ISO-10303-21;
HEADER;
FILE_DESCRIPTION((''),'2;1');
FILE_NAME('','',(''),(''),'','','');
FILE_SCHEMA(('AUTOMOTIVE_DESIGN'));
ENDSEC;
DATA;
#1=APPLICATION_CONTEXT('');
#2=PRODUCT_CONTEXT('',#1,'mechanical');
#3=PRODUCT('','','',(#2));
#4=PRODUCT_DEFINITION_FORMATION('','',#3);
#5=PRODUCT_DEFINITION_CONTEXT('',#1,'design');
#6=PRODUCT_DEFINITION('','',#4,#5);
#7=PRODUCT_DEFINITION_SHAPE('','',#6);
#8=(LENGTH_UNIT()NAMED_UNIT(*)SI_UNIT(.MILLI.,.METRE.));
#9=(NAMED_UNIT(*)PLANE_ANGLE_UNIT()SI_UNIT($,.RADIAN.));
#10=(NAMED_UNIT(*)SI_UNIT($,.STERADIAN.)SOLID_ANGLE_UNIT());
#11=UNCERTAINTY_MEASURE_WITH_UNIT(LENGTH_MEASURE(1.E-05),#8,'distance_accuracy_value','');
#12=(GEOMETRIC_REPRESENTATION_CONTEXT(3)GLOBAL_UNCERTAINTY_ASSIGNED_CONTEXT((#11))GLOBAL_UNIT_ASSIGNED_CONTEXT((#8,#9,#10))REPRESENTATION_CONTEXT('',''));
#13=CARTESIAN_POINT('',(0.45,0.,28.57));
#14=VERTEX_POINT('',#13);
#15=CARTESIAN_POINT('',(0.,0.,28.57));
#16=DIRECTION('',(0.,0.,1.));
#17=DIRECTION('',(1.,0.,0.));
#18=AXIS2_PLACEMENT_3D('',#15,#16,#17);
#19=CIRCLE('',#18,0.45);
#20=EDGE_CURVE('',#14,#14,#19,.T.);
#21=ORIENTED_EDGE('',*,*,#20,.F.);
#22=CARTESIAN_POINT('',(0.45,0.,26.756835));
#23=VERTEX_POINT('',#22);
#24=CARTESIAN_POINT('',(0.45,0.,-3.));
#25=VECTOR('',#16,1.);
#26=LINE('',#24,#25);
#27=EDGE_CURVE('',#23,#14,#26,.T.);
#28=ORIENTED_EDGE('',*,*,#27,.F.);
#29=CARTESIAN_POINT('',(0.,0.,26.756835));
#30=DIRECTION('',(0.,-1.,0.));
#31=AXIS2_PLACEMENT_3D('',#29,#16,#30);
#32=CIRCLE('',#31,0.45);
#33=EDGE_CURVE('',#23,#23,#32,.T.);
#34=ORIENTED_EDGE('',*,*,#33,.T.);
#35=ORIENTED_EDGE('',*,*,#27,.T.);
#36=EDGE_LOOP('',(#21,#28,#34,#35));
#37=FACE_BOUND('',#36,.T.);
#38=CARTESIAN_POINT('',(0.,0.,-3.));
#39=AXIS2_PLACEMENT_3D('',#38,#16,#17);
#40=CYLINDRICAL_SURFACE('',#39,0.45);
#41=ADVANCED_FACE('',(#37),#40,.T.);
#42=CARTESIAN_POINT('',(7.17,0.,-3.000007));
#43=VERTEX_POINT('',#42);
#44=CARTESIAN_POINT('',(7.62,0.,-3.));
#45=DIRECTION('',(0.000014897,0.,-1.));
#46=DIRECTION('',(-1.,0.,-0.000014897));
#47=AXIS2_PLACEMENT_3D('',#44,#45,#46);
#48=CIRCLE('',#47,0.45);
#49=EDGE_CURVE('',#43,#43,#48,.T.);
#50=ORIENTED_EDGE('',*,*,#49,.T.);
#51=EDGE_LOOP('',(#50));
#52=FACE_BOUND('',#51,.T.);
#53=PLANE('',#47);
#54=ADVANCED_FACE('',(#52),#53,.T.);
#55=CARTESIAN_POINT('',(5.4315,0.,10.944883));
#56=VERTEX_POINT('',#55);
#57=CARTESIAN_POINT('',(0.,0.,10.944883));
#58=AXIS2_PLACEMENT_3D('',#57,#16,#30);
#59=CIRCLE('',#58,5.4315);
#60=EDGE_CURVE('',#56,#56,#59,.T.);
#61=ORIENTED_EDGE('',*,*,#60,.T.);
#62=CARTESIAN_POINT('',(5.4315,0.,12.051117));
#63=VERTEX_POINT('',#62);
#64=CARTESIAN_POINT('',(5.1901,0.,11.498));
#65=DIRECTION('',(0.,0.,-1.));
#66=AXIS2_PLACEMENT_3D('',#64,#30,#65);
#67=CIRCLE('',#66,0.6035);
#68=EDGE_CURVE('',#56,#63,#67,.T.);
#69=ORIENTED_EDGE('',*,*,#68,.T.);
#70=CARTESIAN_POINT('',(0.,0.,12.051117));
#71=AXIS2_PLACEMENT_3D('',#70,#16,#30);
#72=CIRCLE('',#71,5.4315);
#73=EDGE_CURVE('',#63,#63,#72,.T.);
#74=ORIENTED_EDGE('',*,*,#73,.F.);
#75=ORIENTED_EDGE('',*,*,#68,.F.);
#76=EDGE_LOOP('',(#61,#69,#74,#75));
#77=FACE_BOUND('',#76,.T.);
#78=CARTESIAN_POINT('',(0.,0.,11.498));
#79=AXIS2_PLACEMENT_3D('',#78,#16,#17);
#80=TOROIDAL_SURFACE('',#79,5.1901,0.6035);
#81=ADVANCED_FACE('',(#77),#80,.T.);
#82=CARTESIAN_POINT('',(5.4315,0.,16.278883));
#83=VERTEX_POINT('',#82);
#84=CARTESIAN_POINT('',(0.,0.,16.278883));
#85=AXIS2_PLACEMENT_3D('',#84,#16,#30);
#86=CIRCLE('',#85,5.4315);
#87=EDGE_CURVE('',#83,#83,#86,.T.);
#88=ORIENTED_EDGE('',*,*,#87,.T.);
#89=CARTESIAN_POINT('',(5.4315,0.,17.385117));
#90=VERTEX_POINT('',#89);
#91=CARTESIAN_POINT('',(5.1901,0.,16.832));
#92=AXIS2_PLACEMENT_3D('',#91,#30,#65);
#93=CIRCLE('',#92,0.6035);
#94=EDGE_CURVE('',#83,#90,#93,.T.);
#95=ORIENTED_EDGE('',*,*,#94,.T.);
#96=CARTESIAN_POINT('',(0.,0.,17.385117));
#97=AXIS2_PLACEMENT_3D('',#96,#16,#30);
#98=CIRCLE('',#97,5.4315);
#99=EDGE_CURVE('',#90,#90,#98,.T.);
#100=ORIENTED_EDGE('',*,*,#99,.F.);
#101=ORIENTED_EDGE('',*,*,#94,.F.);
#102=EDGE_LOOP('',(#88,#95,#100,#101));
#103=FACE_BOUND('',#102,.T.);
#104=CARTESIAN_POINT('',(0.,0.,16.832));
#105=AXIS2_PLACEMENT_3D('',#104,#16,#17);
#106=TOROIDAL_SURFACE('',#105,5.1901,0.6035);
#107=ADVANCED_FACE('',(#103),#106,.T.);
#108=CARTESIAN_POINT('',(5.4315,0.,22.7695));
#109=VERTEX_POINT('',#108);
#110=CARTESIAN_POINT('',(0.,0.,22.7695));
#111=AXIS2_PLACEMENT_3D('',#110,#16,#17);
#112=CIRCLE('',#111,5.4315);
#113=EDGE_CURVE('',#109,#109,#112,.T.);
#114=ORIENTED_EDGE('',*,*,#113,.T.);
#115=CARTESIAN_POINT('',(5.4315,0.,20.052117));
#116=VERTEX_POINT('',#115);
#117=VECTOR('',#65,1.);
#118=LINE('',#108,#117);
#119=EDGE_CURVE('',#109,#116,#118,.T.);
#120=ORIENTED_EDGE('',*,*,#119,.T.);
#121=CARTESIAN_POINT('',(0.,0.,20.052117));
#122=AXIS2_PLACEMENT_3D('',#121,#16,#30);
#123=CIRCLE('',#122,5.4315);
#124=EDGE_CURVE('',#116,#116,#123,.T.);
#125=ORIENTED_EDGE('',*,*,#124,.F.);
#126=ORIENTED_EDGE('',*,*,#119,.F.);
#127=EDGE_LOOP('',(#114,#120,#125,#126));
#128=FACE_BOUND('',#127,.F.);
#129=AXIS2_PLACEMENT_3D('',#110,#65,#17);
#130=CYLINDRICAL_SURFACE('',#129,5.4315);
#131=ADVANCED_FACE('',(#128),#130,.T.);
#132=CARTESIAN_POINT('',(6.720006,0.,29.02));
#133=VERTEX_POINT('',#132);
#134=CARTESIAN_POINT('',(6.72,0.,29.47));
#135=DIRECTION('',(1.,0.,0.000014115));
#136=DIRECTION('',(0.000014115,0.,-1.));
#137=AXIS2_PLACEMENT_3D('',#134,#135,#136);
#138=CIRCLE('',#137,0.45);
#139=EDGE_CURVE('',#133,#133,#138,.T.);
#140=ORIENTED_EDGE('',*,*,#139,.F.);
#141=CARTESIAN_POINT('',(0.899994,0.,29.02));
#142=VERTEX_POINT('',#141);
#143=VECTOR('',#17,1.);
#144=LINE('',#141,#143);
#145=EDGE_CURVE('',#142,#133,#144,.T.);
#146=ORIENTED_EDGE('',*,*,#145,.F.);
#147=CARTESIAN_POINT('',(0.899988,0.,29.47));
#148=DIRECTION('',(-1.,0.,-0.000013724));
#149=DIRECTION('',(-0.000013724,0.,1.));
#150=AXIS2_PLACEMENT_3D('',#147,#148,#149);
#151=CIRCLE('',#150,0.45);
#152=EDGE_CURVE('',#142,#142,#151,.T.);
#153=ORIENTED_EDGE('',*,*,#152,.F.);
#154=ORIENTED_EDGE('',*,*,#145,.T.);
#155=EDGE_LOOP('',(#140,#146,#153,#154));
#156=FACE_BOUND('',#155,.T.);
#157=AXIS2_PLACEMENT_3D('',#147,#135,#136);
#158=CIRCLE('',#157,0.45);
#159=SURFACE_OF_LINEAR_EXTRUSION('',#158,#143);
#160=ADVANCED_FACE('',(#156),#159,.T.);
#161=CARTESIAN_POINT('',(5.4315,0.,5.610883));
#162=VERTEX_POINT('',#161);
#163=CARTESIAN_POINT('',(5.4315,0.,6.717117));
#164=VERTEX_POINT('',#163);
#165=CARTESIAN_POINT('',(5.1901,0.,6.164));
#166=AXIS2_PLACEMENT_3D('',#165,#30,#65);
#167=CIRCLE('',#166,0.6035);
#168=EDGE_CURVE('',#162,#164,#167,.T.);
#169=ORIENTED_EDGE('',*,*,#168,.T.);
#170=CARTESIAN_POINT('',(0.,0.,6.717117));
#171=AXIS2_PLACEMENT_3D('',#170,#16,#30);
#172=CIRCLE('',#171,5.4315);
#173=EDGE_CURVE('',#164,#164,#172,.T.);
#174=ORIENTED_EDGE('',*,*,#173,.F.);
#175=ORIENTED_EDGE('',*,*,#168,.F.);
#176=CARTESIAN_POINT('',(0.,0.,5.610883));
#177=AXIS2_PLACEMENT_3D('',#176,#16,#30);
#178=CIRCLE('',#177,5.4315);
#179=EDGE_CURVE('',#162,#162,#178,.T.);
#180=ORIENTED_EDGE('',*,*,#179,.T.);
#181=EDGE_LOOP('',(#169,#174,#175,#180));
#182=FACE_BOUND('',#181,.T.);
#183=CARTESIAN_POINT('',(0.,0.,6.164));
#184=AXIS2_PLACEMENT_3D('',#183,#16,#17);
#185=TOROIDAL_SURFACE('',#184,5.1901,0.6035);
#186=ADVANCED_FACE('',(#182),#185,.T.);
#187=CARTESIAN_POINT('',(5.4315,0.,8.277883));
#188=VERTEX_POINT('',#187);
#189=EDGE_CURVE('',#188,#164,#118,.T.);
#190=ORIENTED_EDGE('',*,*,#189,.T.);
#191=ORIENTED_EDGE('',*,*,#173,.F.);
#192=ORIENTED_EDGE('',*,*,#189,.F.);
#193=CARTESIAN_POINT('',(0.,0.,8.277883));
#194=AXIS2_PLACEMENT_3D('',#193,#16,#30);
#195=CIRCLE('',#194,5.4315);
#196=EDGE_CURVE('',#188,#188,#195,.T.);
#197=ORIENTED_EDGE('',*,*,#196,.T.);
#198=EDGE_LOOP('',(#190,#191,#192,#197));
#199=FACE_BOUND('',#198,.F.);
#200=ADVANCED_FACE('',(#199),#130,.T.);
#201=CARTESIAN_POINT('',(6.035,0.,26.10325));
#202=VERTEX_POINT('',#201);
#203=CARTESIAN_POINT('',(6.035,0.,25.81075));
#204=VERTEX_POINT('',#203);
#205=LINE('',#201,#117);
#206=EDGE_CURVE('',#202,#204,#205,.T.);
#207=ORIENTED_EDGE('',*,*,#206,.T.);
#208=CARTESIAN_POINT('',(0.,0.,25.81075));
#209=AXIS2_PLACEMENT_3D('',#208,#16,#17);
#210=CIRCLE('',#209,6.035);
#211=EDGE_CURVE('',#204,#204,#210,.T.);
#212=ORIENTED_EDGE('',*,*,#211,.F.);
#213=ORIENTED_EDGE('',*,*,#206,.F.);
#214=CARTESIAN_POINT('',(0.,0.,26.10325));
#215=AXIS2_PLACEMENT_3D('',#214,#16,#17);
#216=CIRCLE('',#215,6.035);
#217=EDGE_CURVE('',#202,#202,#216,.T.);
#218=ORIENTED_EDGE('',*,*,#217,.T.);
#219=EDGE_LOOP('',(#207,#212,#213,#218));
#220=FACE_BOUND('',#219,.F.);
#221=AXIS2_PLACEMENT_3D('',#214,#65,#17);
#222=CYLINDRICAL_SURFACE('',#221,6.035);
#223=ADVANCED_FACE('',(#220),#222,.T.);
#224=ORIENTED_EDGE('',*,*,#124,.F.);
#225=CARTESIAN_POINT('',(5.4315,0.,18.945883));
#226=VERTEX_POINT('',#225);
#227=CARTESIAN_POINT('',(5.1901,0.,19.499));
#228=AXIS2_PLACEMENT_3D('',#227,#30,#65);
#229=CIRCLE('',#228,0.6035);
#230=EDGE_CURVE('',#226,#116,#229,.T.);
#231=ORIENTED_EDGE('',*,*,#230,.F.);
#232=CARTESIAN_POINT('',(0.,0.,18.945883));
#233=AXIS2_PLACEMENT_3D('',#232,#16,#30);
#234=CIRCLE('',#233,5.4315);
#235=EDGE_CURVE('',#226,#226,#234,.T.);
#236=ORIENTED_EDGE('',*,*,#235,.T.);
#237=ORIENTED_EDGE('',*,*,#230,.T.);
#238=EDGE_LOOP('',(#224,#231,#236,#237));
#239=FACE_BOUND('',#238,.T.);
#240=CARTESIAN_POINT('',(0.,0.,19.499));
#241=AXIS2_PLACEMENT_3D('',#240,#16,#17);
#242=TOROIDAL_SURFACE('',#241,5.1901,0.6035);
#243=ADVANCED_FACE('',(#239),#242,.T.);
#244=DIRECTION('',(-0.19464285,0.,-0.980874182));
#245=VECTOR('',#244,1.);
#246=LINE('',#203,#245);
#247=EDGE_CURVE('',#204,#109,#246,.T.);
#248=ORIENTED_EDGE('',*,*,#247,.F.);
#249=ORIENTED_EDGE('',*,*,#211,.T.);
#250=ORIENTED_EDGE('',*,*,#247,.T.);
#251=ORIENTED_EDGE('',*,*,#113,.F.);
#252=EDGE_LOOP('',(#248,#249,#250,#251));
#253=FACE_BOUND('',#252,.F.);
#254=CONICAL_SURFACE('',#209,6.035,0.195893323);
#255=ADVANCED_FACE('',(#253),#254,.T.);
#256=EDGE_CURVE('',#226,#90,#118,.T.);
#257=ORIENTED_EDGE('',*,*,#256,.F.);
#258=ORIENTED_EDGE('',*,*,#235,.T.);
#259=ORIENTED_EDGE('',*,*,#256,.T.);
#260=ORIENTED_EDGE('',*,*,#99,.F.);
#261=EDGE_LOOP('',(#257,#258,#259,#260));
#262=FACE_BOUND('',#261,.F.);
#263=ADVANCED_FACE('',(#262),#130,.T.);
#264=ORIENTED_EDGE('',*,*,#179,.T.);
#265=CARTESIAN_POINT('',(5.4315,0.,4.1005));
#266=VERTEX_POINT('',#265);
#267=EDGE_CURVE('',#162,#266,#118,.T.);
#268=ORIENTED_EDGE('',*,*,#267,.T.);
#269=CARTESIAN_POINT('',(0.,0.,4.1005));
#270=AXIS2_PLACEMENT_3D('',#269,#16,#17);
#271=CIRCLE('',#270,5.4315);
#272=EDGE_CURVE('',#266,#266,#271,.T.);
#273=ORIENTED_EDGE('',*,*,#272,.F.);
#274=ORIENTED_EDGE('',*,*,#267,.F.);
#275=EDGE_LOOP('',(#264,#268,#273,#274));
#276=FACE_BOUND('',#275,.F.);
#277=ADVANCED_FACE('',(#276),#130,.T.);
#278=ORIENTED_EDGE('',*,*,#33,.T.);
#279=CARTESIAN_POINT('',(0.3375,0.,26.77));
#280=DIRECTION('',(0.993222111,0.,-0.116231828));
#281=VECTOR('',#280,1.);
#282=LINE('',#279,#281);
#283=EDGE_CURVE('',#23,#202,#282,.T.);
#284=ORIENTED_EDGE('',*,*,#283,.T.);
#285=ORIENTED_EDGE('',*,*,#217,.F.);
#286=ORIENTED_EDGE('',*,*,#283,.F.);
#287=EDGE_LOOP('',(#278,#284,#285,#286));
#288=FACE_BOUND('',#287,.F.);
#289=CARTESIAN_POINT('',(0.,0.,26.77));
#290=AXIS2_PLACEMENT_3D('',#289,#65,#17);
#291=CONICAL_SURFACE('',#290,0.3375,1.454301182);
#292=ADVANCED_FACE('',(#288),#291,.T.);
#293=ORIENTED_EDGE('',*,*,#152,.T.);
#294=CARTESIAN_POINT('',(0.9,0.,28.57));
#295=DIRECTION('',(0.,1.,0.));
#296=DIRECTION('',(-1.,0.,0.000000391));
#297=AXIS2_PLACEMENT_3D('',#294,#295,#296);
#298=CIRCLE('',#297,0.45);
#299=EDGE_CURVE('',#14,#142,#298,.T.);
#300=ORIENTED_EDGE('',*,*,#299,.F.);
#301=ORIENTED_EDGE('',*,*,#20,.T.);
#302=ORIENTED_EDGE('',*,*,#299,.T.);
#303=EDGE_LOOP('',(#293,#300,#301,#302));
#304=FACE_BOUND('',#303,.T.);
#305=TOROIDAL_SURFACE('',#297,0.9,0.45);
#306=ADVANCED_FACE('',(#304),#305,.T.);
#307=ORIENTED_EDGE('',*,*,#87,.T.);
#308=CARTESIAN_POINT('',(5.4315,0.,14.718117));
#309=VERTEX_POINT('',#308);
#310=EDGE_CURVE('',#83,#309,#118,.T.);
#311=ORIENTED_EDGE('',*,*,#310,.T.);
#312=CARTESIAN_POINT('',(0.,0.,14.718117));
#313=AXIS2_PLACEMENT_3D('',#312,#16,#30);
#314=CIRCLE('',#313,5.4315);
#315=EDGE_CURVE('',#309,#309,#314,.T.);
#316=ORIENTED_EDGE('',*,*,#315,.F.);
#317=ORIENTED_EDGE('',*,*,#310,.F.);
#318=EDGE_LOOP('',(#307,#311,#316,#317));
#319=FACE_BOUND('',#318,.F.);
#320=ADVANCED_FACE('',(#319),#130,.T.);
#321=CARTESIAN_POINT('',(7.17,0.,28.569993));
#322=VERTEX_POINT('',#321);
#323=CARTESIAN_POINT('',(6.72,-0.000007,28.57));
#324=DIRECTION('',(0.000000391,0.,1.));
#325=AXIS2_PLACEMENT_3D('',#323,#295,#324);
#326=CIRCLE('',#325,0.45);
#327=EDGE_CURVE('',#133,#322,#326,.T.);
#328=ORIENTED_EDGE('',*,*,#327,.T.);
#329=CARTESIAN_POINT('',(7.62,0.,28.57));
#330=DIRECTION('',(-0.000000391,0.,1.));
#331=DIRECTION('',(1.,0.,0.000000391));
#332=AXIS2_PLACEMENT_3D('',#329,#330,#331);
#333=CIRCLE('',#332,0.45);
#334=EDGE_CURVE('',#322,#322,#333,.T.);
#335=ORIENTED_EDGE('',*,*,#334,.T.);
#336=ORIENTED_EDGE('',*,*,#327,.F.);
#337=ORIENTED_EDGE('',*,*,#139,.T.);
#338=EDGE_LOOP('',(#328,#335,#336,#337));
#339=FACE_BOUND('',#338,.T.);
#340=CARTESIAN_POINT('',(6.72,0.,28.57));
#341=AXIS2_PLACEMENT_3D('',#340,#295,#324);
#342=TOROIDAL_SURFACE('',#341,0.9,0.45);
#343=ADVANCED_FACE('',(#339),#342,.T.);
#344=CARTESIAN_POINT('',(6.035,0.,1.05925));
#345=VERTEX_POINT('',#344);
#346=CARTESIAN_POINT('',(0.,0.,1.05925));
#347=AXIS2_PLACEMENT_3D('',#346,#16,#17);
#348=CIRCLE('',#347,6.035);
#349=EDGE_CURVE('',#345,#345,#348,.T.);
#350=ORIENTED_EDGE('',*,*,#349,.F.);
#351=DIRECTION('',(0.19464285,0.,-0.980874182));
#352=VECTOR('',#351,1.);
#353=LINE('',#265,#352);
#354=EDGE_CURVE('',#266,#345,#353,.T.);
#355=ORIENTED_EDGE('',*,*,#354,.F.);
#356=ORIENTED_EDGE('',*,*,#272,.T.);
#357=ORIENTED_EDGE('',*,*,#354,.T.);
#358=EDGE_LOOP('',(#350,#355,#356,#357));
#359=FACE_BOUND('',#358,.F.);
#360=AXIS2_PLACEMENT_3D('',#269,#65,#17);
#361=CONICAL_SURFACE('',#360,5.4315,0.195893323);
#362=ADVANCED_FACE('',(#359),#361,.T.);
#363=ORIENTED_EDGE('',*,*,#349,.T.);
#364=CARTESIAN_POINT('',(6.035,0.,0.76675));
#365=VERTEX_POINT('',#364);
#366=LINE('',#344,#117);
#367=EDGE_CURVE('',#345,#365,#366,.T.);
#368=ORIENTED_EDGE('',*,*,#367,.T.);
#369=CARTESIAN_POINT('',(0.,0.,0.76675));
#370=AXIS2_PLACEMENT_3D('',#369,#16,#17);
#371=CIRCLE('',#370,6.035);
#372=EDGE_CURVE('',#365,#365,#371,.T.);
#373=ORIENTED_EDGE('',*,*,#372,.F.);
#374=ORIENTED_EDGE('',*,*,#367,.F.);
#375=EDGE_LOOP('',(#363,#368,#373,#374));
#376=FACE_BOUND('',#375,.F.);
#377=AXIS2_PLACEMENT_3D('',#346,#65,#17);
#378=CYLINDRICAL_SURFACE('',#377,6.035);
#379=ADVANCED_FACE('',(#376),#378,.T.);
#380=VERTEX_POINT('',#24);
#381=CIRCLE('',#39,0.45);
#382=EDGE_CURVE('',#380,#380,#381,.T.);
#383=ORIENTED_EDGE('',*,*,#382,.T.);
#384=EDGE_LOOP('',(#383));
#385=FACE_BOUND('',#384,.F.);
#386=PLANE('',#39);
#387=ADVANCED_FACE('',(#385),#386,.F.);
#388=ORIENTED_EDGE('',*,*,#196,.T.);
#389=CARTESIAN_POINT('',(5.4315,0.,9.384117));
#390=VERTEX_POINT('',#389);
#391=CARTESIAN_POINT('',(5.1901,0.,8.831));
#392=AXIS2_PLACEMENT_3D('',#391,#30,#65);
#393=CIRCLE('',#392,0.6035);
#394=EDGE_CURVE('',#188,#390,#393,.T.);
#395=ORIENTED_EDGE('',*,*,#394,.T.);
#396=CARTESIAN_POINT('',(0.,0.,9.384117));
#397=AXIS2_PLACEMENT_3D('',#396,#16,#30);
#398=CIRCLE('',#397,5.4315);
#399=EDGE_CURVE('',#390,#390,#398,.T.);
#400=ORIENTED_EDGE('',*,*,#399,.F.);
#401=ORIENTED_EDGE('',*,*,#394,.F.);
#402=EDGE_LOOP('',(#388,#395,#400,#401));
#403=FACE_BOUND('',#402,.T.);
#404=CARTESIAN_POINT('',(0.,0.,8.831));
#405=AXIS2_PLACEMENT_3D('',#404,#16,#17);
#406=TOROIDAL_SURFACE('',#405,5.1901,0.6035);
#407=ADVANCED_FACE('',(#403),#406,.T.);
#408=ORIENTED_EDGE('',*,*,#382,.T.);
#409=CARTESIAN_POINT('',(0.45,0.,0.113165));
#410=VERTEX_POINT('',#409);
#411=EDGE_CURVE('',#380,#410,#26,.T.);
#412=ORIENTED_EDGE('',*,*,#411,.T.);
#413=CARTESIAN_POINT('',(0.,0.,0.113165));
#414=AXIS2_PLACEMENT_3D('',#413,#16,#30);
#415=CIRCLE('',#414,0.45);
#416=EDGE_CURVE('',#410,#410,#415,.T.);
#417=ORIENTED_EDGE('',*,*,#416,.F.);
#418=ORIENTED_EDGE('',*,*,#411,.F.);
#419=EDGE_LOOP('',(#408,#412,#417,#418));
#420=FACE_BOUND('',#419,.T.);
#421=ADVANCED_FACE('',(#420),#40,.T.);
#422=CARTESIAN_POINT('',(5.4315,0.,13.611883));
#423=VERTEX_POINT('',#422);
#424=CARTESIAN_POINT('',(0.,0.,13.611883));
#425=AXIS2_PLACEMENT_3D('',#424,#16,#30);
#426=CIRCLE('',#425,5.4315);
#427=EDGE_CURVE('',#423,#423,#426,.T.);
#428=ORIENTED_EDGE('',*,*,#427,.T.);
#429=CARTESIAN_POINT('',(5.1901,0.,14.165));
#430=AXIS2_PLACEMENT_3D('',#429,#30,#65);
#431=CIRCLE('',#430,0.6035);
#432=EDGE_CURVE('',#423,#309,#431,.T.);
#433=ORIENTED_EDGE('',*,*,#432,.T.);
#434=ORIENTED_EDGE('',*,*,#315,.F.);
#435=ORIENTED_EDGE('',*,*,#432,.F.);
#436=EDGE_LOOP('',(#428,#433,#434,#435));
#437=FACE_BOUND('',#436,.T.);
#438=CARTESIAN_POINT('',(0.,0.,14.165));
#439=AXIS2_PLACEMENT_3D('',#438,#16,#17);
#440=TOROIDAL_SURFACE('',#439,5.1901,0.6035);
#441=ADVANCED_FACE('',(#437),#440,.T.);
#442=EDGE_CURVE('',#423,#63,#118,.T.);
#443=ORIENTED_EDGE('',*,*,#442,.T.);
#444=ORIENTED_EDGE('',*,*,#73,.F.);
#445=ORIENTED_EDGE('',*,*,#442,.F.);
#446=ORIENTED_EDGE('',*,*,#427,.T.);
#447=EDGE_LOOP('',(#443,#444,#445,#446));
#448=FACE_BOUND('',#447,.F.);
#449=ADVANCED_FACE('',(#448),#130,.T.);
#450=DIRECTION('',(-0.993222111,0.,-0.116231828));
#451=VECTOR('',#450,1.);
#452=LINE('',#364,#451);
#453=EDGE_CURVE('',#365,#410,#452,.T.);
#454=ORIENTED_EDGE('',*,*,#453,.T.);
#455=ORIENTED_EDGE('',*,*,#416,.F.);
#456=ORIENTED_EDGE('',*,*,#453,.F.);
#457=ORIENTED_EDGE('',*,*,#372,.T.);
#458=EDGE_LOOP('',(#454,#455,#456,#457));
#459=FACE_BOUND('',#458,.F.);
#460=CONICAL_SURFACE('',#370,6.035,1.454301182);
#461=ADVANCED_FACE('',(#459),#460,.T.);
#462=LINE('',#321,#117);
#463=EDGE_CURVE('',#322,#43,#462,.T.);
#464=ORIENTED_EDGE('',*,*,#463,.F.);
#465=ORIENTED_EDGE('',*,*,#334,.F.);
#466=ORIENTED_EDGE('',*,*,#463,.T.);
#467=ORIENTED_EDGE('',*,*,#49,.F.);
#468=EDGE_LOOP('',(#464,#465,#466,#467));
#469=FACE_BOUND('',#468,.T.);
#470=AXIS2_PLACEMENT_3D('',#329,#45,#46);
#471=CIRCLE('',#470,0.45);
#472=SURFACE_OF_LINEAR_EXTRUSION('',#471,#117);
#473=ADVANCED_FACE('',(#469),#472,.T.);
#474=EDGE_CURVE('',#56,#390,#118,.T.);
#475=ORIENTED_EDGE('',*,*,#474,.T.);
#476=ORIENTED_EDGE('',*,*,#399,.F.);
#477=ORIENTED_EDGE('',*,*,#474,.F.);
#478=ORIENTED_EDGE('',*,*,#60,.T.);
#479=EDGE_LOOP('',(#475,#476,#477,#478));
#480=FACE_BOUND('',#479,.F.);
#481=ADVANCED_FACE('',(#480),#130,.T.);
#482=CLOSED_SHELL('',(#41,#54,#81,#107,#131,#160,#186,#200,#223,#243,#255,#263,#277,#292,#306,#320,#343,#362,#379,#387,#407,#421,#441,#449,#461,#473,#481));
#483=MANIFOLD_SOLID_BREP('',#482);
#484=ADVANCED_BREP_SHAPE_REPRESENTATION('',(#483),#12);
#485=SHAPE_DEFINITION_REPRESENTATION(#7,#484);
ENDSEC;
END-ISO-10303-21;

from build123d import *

# Parameters (mm, degrees)
SKETCH_R = 0.45


with BuildPart() as revolution:
    # Sketch002 → Revolution (revolve)
    with BuildSketch(Plane.XZ):
        Polygon((0, 0.1), (0, 26.77), (0.3375, 26.77), (6.035, 26.10325), (6.035, 25.81075), (5.4315, 22.7695), (5.4315, 4.1005), (6.035, 1.05925), (6.035, 0.76675), (0.3375, 0.1), align=None)
    revolve(axis=Axis((0, 0, 0), (0, 0, 1)))


with BuildPart() as revolution001:
    # Sketch003 → Revolution001 (revolve)
    with BuildSketch(Plane.XZ):
        with BuildLine():
            Line((4.828, 21.5625), (4.828, 4.1005))
            Line((4.828, 4.1005), (5.1901, 4.1005))
            Line((5.1901, 4.1005), (5.1901, 5.5605))
            ThreePointArc((5.1901, 5.5605), (5.7936, 6.164), (5.1901, 6.7675))
            Line((5.1901, 6.7675), (5.1901, 8.2275))
            ThreePointArc((5.1901, 8.2275), (5.7936, 8.831), (5.1901, 9.4345))
            Line((5.1901, 9.4345), (5.1901, 10.8945))
            ThreePointArc((5.1901, 10.8945), (5.7936, 11.498), (5.1901, 12.1015))
            Line((5.1901, 12.1015), (5.1901, 13.5615))
            ThreePointArc((5.1901, 13.5615), (5.7936, 14.165), (5.1901, 14.7685))
            Line((5.1901, 14.7685), (5.1901, 16.2285))
            ThreePointArc((5.1901, 16.2285), (5.7936, 16.832), (5.1901, 17.4355))
            Line((5.1901, 17.4355), (5.1901, 18.8955))
            ThreePointArc((5.1901, 18.8955), (5.7936, 19.499), (5.1901, 20.1025))
            Line((5.1901, 21.5625), (5.1901, 20.1025))
            Line((4.828, 21.5625), (5.1901, 21.5625))
        make_face()
    revolve(axis=Axis((0, 0, 0), (0, 0, 1)))


with BuildPart() as sweep_mp_cp:
    # Sweep: sweep along a path in Sketch001
    with BuildLine(Plane.XZ) as sweep_path:
        Line((0, -3), (0, 28.57))
        ThreePointArc((0, 28.57), (0.2636, 29.206392), (0.899988, 29.47))
        Line((0.899988, 29.47), (6.72, 29.47))
        ThreePointArc((6.72, 29.47), (7.356396, 29.206396), (7.62, 28.57))
        Line((7.62, 28.57), (7.62, -3))
    # Sketch → Sweep (sweep)
    with BuildSketch(Plane.XY.offset(-2)):
        Circle(SKETCH_R)
    sweep(path=sweep_path.line)

    # Sweep_mp_cp: union Revolution, Revolution001
    add(revolution.part)
    add(revolution001.part)


solid = sweep_mp_cp.part
